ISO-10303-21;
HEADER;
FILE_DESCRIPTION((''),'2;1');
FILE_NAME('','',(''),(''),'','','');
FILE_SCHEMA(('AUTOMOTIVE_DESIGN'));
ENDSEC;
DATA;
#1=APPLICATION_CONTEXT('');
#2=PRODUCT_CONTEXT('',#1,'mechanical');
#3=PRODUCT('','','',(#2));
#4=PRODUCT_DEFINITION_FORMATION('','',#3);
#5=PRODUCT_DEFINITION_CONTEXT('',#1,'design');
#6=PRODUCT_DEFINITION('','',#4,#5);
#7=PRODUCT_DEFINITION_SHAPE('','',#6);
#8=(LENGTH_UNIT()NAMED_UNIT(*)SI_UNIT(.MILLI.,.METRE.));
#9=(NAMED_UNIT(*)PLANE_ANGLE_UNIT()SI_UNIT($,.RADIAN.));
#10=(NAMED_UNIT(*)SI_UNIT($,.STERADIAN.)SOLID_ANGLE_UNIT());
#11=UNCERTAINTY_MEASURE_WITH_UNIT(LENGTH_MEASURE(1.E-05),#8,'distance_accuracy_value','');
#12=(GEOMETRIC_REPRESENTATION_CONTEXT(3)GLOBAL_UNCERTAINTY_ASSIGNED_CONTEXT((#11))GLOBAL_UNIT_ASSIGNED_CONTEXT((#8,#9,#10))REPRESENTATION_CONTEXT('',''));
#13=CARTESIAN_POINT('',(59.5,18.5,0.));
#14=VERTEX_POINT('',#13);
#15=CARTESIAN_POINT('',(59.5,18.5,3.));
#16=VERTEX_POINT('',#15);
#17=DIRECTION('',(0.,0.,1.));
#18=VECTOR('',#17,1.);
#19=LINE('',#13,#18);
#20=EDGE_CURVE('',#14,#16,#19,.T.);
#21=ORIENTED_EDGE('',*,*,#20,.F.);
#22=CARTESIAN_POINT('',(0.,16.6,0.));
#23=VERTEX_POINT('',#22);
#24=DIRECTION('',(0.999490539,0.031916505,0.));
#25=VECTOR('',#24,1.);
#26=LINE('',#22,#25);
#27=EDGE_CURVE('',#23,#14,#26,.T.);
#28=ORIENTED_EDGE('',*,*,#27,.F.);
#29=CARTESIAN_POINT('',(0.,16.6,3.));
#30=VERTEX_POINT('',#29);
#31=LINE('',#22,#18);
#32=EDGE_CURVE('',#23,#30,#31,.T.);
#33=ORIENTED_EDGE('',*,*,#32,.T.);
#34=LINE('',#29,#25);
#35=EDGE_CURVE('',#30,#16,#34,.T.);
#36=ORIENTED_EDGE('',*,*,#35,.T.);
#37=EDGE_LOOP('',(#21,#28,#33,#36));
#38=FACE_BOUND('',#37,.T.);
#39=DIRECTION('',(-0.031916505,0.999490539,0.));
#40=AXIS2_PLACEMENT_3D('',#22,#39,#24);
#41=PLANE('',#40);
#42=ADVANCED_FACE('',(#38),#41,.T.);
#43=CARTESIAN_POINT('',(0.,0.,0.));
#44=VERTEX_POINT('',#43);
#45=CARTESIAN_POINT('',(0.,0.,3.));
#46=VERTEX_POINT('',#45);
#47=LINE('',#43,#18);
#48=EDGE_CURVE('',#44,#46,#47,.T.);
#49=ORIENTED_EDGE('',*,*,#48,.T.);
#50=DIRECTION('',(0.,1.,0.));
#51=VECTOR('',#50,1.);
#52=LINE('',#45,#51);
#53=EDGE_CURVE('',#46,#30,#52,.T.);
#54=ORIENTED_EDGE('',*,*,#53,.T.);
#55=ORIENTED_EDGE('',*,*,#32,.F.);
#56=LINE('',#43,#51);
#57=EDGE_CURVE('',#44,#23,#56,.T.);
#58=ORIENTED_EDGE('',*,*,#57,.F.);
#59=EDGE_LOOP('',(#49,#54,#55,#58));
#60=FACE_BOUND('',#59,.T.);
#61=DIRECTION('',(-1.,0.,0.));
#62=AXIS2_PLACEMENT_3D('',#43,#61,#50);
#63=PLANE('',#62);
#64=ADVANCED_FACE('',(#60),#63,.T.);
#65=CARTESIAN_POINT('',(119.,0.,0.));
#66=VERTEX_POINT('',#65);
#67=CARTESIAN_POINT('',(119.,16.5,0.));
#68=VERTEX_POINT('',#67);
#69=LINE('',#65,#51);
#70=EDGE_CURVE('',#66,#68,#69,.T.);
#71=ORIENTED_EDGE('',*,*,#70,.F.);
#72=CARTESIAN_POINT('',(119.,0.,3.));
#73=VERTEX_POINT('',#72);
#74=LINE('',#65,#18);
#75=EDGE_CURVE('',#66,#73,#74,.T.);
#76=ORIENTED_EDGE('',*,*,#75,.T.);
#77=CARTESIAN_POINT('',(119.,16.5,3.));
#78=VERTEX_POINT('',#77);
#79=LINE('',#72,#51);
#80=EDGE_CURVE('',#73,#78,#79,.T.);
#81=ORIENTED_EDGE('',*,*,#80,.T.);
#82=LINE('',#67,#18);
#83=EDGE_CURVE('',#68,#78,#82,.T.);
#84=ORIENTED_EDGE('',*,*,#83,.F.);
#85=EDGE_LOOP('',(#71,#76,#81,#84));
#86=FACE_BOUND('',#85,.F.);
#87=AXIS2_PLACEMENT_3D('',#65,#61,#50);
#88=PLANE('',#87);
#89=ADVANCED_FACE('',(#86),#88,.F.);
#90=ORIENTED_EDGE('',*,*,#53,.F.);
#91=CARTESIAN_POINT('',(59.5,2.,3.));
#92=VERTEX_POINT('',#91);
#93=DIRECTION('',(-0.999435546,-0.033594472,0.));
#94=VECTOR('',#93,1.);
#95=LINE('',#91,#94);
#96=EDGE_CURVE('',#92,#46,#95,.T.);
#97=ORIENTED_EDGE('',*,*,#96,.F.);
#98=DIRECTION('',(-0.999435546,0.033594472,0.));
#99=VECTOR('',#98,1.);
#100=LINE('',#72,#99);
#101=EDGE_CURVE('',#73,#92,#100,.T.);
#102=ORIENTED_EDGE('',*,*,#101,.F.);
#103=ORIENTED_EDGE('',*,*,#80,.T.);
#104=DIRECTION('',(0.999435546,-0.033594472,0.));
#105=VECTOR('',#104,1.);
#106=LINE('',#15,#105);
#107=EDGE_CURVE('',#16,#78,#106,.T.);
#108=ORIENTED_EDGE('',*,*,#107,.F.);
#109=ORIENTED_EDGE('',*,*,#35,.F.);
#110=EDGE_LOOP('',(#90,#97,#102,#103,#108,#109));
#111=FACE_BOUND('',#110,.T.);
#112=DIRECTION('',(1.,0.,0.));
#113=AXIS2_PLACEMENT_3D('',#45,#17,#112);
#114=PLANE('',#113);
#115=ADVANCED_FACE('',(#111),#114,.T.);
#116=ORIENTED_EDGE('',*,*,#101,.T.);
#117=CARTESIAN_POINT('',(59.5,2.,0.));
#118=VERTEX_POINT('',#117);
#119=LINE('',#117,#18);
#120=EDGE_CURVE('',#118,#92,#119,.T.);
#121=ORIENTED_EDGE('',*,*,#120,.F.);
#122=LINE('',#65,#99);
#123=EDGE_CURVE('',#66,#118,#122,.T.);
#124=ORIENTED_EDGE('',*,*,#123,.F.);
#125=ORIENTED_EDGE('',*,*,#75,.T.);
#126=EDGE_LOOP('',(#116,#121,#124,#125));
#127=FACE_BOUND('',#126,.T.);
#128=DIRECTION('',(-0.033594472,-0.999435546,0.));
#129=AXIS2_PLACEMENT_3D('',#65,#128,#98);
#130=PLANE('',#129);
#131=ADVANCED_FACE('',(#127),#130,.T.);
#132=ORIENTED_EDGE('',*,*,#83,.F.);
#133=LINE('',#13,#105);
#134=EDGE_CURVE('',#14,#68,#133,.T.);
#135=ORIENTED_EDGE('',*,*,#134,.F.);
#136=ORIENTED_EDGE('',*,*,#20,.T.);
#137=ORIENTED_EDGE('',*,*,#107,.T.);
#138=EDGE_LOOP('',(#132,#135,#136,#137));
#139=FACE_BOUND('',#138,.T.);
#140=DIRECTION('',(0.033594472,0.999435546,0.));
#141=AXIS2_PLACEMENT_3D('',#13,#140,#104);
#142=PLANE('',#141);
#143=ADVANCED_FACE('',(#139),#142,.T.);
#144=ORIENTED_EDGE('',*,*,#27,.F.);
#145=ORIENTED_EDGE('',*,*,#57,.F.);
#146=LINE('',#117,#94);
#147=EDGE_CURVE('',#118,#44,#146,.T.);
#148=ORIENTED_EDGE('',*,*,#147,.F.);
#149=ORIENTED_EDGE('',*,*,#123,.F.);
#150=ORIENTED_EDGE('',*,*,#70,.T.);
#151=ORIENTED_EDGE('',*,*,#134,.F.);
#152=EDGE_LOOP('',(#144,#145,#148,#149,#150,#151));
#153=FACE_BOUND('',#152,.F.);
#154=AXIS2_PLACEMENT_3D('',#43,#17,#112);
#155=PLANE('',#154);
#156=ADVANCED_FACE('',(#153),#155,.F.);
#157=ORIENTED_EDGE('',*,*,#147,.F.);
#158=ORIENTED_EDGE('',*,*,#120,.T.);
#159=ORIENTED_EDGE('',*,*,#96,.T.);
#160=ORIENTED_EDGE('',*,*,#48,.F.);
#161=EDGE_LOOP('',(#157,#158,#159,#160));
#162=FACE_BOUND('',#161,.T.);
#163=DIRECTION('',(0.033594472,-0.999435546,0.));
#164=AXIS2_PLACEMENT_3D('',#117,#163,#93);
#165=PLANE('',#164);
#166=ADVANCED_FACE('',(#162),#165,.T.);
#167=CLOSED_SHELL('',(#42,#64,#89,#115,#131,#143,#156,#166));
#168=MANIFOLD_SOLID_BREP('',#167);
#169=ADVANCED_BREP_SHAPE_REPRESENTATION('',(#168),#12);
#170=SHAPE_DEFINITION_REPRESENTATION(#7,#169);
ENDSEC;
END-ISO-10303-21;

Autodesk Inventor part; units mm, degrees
ref_plane "YZ Plane" through (0, 0, 0) normal (1, 0, 0) x (0, 1, 0)
ref_plane "XZ Plane" through (0, 0, 0) normal (0, 1, 0) x (-1, 0, 0)
ref_plane "XY Plane" through (0, 0, 0) normal (0, 0, 1) x (1, 0, 0)
sketch "Sketch1" plane through (0, 0, 0) normal (0, 0, 1) x (1, 0, 0)
  line L0 (0, 0) -> (119, 0)
  line L1 (0, 0) -> (0, 16.6)
  line L2 (0, 0) -> (59.5, 0)
  line L3 (59.5, 2) -> (59.5, 18.5)
  line L4 (0, 16.6) -> (59.5, 18.5)
  line L5 (59.5, 2) -> (0, 0)
  line L6 (119, 0) -> (119, 16.5)
  line L7 (59.5, 18.5) -> (119, 16.5)
  line L8 (119, 0) -> (59.5, 2)
  dimension "d0" = 119
  dimension "d1" = 16.6
  dimension "d2" = 59.5
  dimension "d3" = 2
  dimension "d4" = 16.5
  dimension "d5" = 16.5
extrude "Extrusion1" add sketch "Sketch1" along normal blind 3 contours L1 L4 L3 L5 | L3 L7 L6 L8
properties part number "E"
